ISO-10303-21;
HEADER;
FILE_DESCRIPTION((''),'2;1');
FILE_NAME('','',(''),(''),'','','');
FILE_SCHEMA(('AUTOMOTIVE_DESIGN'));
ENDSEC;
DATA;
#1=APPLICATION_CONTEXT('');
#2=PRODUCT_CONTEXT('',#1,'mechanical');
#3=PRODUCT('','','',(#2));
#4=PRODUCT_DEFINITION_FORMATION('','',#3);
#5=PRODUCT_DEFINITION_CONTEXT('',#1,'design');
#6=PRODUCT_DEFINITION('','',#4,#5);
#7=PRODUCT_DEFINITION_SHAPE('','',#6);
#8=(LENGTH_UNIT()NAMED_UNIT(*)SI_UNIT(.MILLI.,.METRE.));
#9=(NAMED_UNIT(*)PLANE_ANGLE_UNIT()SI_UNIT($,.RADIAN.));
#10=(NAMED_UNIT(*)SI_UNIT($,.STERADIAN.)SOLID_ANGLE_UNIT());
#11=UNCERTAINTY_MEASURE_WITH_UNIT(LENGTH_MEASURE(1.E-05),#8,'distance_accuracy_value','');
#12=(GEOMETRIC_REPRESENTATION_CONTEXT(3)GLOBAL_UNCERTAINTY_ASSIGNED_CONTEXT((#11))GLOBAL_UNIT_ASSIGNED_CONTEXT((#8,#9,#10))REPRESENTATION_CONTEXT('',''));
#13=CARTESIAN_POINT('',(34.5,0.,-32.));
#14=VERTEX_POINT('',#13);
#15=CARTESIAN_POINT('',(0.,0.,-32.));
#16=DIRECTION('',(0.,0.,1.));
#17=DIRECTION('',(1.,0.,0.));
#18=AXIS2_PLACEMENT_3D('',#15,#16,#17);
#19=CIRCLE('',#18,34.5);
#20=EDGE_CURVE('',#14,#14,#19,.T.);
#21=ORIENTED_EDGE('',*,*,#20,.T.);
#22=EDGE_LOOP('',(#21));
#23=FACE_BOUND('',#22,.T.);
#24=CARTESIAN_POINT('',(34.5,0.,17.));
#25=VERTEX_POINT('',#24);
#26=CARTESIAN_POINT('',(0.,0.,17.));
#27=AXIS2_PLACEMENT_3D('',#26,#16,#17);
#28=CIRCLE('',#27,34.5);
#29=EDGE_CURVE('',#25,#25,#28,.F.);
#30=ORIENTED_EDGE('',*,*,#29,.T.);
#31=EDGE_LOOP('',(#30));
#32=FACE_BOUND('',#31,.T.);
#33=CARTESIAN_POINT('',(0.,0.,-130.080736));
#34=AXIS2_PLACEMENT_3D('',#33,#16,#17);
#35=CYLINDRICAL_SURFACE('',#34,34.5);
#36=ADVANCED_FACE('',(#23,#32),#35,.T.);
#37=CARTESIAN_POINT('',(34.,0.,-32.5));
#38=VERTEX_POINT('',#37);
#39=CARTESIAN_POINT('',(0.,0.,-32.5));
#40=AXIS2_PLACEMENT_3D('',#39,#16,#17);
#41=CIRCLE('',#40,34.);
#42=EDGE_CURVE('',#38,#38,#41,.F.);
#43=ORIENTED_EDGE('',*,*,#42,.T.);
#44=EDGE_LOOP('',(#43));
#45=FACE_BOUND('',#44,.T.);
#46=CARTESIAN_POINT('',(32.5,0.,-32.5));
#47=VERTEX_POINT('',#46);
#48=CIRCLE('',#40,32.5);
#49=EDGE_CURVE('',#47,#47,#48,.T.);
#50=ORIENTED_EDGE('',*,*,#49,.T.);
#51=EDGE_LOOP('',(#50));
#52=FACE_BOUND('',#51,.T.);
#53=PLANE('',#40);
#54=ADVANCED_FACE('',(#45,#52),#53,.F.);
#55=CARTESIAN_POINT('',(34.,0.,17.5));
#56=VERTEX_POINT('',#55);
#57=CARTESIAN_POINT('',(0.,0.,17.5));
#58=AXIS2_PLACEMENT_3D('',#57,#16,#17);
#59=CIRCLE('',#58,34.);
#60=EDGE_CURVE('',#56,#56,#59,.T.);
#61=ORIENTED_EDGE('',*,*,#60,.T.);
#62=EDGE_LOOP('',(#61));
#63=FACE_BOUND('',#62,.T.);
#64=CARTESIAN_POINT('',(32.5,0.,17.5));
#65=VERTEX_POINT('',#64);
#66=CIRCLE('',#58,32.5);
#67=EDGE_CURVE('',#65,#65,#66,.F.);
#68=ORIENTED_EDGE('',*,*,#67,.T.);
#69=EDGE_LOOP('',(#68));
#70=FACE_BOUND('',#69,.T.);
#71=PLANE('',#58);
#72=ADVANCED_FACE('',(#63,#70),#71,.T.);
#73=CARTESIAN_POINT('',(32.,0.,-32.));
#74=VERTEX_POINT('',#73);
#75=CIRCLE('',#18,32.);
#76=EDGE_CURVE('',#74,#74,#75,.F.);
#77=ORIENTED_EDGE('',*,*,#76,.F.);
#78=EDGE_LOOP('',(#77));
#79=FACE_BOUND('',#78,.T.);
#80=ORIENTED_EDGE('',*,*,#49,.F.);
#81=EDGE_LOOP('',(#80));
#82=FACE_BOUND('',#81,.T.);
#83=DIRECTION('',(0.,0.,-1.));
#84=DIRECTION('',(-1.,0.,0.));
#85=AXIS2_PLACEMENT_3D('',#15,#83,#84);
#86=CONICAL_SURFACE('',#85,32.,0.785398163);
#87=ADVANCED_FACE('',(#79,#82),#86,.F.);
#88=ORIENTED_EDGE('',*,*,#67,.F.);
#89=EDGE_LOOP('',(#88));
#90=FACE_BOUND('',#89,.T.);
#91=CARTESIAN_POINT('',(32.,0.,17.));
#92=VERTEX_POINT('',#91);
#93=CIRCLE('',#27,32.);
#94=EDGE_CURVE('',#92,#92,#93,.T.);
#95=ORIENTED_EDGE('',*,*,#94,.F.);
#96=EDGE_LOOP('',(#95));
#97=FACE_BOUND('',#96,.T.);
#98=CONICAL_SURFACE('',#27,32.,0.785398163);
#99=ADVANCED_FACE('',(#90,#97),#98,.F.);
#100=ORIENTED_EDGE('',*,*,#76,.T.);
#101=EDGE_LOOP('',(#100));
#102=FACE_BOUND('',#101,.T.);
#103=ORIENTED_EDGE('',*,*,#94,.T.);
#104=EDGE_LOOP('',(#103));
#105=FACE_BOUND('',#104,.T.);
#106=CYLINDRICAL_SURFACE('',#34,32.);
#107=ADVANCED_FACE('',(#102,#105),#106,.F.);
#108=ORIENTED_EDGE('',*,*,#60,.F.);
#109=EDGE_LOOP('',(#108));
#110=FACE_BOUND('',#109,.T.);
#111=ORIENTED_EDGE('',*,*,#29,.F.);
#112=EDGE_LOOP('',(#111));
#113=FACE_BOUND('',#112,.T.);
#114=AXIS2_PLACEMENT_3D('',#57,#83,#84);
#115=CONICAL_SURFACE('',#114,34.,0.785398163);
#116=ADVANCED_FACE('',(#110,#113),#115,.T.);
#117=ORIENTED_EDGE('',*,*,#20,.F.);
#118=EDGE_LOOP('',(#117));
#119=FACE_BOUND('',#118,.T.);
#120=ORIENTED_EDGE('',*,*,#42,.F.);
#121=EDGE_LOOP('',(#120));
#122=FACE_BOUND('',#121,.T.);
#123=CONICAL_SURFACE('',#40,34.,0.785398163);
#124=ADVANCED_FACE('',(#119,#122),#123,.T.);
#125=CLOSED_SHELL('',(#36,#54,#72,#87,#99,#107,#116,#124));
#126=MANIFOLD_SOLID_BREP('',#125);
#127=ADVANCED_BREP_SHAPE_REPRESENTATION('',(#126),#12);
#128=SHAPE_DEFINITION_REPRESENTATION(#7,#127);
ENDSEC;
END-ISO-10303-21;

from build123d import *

# Parameters (mm, degrees)
BOSS_EXTRUDE1_START = 17.5
SKETCH1_R           = 34.5
SKETCH1_R_2         = 32
BOSS_EXTRUDE1_DEPTH = 50
CHAMFER1_SIZE       = 0.5


with BuildPart() as part:
    # Sketch1 → Boss-Extrude1 (new body)
    with BuildSketch(Plane.XY.offset(BOSS_EXTRUDE1_START)):
        Circle(SKETCH1_R)
        Circle(SKETCH1_R_2, mode=Mode.SUBTRACT)
    extrude(amount=-BOSS_EXTRUDE1_DEPTH)

    # Chamfer1
    chamfer1_edges = [part.edges().sort_by_distance(p)[0] for p in [
        (-34.5, 0, 17.5),
        (-32, 0, 17.5),
        (-34.5, 0, -32.5),
        (-32, 0, -32.5),
    ]]
    chamfer(chamfer1_edges, length=CHAMFER1_SIZE)


solid = part.part
